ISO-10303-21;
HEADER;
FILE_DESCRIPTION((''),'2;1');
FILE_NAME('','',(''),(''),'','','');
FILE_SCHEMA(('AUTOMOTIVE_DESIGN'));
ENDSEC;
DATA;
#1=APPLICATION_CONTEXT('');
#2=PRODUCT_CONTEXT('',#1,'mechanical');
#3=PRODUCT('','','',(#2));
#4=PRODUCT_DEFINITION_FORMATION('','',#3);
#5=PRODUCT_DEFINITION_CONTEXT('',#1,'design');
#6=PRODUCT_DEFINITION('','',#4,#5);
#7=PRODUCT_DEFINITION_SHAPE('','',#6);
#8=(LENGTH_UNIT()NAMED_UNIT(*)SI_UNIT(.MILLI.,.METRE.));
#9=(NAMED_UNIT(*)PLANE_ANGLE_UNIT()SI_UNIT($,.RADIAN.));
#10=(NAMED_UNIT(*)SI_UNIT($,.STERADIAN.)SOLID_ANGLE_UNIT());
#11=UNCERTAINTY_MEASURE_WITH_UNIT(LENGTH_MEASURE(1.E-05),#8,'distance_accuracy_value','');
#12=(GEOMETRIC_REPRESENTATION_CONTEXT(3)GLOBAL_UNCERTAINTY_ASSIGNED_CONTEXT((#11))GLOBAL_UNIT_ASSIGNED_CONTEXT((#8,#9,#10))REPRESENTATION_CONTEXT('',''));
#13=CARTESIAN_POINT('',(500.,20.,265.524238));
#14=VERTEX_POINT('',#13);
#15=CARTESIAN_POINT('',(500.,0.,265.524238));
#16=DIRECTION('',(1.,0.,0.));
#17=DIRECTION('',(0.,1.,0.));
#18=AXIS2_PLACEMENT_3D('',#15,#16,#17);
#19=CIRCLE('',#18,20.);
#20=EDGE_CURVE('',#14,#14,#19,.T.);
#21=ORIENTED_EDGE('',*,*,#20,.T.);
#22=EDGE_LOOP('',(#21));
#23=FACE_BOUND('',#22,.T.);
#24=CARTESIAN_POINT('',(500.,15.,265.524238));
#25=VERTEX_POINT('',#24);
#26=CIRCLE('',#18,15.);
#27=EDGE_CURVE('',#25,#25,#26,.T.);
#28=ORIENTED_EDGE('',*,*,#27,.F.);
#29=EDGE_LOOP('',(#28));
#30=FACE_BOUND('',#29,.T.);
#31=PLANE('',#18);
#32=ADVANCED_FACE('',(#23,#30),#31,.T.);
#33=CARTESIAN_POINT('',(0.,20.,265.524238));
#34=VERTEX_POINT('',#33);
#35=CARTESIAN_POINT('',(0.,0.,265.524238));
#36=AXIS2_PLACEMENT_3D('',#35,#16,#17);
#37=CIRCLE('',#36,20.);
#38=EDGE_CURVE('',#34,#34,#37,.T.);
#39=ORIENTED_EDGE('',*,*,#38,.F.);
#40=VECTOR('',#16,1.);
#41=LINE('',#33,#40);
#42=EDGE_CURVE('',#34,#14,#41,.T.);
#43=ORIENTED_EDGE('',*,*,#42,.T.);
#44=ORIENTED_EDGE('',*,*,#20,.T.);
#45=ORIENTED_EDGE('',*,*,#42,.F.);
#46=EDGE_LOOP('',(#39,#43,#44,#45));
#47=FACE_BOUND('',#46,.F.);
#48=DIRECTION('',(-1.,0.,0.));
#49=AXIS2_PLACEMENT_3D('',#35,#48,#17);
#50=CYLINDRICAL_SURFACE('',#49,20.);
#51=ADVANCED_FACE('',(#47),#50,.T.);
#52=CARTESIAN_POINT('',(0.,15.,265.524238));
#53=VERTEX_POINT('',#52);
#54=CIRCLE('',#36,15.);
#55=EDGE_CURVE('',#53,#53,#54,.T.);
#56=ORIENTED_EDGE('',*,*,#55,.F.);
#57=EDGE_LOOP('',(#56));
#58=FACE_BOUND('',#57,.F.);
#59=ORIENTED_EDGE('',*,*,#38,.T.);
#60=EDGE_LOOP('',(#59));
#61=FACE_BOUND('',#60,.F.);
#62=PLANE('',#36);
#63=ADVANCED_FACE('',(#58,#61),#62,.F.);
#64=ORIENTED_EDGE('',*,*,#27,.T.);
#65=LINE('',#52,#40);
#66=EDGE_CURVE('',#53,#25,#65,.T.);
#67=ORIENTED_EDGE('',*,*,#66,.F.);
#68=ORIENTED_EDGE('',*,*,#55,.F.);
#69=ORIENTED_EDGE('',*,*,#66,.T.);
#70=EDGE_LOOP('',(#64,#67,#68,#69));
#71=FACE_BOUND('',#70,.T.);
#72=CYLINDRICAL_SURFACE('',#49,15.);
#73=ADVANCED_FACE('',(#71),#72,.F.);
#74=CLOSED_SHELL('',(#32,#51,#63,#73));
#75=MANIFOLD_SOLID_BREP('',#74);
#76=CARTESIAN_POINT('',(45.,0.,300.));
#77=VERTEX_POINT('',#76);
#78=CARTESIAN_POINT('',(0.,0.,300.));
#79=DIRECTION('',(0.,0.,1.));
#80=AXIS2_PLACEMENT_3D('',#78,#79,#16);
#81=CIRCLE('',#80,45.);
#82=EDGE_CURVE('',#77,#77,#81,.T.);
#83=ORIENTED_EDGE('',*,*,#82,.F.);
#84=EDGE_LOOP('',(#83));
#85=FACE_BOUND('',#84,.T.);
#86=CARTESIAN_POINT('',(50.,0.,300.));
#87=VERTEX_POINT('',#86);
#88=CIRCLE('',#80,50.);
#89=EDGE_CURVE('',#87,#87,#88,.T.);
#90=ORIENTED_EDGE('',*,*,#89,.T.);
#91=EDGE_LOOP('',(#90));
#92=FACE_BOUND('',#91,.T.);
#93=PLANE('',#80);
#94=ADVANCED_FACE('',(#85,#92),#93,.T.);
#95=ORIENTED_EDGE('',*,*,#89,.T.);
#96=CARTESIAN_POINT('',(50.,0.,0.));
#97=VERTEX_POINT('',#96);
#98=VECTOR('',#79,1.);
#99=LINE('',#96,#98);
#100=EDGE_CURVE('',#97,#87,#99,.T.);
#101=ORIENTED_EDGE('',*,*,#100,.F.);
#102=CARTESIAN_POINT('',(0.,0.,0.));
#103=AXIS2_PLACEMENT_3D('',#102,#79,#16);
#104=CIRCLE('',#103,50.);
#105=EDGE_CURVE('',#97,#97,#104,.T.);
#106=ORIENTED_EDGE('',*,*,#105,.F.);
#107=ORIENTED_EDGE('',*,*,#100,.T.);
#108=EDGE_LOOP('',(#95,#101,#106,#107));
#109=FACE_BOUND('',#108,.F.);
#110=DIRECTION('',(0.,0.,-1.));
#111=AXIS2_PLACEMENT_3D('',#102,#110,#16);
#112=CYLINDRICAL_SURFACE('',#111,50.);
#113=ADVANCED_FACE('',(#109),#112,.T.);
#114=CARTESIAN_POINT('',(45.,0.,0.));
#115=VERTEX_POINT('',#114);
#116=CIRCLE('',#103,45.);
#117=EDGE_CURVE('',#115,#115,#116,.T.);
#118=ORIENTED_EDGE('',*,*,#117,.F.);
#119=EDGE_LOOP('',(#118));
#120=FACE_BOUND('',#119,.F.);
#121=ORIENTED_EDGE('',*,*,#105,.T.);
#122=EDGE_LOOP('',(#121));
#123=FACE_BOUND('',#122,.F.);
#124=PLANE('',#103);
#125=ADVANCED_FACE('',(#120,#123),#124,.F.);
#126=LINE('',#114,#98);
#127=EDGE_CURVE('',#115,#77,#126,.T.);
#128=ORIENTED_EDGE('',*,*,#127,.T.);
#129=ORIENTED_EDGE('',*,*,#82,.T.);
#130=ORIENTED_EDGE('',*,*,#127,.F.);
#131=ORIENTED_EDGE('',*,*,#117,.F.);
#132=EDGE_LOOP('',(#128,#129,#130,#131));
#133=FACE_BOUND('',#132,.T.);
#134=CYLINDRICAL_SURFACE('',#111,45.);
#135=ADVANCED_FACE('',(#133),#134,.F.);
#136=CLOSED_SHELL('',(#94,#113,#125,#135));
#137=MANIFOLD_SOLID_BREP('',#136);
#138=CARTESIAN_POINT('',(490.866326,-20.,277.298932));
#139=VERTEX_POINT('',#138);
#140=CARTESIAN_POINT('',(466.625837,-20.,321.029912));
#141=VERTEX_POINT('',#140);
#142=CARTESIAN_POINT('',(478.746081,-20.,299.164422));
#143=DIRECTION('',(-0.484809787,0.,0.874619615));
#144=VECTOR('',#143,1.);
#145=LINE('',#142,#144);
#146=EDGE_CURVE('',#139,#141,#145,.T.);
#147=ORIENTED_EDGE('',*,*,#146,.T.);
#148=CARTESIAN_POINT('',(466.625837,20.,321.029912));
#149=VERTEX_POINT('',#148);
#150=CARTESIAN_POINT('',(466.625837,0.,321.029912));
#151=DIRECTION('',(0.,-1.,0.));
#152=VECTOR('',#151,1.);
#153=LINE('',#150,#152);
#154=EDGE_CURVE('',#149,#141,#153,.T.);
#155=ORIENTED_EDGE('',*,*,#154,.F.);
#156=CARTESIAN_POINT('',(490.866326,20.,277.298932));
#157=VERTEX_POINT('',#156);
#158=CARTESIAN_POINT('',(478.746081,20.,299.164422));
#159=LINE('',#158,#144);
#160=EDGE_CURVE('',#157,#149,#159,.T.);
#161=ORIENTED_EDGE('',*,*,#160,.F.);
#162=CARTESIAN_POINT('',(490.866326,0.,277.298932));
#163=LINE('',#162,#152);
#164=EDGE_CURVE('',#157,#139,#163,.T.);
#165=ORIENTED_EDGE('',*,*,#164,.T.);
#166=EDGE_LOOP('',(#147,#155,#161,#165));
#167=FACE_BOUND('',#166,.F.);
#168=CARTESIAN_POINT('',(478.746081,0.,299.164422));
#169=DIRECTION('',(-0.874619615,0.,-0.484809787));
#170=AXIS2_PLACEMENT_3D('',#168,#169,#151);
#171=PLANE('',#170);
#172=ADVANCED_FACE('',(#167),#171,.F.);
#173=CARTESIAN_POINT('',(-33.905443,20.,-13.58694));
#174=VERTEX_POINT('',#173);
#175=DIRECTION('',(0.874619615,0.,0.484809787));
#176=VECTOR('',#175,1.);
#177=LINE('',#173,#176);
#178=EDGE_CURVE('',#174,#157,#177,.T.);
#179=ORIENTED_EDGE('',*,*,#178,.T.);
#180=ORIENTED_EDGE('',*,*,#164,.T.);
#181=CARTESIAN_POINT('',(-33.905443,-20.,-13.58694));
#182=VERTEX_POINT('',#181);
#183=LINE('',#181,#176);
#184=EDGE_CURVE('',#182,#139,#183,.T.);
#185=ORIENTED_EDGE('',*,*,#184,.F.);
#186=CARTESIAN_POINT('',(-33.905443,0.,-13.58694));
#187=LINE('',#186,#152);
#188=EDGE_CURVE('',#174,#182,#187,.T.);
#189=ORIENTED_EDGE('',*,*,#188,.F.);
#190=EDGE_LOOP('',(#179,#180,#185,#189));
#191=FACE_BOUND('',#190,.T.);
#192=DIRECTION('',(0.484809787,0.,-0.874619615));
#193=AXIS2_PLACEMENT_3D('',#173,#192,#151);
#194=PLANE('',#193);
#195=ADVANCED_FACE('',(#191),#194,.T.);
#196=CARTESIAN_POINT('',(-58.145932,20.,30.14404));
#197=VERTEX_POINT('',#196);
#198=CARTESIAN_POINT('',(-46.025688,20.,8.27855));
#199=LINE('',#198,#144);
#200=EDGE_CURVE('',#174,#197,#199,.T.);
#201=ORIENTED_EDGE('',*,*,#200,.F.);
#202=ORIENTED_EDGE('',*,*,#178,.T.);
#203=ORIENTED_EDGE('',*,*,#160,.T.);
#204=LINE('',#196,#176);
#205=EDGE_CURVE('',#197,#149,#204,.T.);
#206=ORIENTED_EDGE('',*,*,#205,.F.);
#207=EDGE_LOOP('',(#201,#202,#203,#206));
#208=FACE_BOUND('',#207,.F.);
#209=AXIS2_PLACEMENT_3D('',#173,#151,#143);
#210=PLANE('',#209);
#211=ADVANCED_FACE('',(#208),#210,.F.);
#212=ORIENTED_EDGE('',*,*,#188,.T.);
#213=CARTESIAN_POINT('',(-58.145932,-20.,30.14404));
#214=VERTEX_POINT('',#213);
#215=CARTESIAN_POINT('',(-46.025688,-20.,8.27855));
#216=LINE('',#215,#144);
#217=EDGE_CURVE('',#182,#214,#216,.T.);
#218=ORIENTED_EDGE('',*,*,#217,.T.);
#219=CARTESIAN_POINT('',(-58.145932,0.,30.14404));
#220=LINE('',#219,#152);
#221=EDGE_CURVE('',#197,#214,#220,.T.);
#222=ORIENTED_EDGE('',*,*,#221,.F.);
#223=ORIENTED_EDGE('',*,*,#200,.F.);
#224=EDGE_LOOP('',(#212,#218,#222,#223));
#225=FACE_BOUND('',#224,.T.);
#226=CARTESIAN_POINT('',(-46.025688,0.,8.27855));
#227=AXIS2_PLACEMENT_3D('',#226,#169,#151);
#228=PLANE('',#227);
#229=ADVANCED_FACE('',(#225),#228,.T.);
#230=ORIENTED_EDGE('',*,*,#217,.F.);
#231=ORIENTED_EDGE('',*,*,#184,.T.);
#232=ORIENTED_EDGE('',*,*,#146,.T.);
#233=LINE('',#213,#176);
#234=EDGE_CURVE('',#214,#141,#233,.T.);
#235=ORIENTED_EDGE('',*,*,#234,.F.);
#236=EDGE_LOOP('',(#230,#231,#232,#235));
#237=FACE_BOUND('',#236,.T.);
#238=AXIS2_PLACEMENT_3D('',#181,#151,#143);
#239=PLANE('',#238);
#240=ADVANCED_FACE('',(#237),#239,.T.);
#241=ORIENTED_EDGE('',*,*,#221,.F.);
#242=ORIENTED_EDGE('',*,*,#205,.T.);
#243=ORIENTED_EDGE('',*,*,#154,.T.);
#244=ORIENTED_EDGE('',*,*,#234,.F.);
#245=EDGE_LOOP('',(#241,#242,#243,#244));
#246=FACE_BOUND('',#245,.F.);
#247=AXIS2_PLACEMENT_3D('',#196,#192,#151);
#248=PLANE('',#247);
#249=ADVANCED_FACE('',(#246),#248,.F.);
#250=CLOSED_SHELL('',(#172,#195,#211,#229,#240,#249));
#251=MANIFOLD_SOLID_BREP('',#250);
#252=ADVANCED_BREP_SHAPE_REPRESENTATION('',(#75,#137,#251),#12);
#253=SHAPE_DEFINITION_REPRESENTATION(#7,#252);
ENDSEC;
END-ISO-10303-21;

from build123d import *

# Parameters (mm, degrees)
F0_R     = 50
F0_R_2   = 45
F1_DEPTH = 300
F5_W     = 40
F5_H     = 50
F6_DEPTH = 600
F7_R     = 20
F7_R_2   = 15
F8_DEPTH = 500


with BuildPart() as f1:
    # F0 (on Top) → F1 (new body)
    with BuildSketch(Plane.XY):
        Circle(F0_R)
        Circle(F0_R_2, mode=Mode.SUBTRACT)
    extrude(amount=F1_DEPTH)


with BuildPart() as f6:
    # F5 (on face) → F6 (new body)
    with BuildSketch(Plane(origin=(-31.697484, 0, -17.570202), x_dir=(0, -1, 0), z_dir=(-0.87462, 0, -0.48481))):
        with Locations((0, 29.554279)):
            Rectangle(F5_W, F5_H)
    extrude(amount=-F6_DEPTH)


with BuildPart() as f8:
    # F7 (on Right) → F8 (new body)
    with BuildSketch(Plane.YZ):
        with Locations((0, 265.524238)):
            Circle(F7_R)
        with Locations((0, 265.524238)):
            Circle(F7_R_2, mode=Mode.SUBTRACT)
    extrude(amount=F8_DEPTH)


solid = Compound([f1.part, f6.part, f8.part])
